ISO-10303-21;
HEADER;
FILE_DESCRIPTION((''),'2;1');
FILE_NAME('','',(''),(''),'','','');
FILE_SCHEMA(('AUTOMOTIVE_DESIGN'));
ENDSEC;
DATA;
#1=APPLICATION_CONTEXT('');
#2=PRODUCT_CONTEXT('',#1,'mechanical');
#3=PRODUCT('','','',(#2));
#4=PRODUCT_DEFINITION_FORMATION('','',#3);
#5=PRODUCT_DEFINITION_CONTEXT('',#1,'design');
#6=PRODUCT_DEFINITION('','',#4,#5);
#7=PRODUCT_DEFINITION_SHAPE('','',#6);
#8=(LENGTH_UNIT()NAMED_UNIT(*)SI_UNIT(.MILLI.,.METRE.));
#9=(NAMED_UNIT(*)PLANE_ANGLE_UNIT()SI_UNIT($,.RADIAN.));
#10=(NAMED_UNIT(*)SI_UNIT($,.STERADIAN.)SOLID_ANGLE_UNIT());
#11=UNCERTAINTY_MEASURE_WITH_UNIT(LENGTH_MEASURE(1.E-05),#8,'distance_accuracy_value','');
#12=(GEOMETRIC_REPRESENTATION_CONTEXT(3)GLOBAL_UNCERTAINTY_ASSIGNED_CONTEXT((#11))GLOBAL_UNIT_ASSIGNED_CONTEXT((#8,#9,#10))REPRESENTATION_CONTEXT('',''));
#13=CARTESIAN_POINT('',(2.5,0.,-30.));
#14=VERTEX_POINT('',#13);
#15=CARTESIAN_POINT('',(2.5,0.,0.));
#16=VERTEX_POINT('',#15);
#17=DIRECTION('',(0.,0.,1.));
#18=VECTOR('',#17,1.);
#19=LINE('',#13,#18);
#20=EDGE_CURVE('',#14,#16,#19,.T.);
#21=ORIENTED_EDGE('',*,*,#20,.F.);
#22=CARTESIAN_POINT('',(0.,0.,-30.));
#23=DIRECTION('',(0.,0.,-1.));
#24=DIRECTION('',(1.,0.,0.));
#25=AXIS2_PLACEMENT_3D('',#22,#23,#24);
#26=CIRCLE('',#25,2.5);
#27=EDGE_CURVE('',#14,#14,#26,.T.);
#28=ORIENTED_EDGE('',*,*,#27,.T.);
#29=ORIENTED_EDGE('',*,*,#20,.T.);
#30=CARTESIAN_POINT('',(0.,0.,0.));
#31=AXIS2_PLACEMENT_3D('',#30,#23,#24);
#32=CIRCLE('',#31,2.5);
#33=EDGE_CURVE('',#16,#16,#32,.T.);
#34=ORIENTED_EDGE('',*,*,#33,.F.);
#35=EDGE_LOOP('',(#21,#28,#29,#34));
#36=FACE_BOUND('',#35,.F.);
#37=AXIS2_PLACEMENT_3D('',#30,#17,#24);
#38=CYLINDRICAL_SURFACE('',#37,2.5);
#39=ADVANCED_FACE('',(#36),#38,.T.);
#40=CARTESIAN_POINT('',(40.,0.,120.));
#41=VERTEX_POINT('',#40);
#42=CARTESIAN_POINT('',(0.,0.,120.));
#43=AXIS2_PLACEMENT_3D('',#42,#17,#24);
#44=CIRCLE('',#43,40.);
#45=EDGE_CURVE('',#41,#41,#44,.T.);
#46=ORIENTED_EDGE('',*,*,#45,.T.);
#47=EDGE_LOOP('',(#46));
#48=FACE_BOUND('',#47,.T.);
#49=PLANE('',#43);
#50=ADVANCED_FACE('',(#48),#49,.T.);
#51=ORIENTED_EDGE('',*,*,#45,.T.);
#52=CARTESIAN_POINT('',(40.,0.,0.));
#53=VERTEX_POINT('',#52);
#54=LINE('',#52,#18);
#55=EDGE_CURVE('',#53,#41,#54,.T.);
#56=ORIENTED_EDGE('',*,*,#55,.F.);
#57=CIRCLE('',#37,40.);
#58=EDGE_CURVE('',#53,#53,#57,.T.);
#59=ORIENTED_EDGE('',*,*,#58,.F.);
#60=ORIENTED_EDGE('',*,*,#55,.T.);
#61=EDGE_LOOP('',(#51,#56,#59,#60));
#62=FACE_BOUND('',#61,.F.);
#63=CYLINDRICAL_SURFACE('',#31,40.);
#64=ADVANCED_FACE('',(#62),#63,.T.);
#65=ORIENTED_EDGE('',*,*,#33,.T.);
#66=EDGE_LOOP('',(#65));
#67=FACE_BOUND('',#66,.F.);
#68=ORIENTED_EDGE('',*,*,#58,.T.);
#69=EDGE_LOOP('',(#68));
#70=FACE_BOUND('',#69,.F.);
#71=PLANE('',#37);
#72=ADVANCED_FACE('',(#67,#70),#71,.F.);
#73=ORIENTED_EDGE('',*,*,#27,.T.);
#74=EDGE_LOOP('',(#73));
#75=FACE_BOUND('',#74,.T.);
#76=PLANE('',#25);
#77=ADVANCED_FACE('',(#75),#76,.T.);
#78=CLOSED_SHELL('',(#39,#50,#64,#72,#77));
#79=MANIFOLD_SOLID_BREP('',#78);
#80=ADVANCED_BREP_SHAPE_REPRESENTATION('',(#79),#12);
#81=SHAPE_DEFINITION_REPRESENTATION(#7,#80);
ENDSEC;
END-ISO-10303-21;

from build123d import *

# Parameters (mm, degrees)
F0_R     = 40
F1_DEPTH = 120
F2_R     = 2.5
F3_DEPTH = 25
F4_DEPTH = 30


with BuildPart() as f1:
    # F0 (on Top) → F1 (new body)
    with BuildSketch(Plane.XY):
        Circle(F0_R)
    extrude(amount=F1_DEPTH)

    # F2 (on face) → F3 (join)
    with BuildSketch(Plane(origin=(0, 0, 0), x_dir=(1, 0, 0), z_dir=(0, 0, -1))):
        Circle(F2_R)
    extrude(amount=F3_DEPTH)

    # F2 (on face) → F4 (join)
    with BuildSketch(Plane(origin=(0, 0, 0), x_dir=(1, 0, 0), z_dir=(0, 0, -1))):
        Circle(F2_R)
    extrude(amount=F4_DEPTH)


solid = f1.part
